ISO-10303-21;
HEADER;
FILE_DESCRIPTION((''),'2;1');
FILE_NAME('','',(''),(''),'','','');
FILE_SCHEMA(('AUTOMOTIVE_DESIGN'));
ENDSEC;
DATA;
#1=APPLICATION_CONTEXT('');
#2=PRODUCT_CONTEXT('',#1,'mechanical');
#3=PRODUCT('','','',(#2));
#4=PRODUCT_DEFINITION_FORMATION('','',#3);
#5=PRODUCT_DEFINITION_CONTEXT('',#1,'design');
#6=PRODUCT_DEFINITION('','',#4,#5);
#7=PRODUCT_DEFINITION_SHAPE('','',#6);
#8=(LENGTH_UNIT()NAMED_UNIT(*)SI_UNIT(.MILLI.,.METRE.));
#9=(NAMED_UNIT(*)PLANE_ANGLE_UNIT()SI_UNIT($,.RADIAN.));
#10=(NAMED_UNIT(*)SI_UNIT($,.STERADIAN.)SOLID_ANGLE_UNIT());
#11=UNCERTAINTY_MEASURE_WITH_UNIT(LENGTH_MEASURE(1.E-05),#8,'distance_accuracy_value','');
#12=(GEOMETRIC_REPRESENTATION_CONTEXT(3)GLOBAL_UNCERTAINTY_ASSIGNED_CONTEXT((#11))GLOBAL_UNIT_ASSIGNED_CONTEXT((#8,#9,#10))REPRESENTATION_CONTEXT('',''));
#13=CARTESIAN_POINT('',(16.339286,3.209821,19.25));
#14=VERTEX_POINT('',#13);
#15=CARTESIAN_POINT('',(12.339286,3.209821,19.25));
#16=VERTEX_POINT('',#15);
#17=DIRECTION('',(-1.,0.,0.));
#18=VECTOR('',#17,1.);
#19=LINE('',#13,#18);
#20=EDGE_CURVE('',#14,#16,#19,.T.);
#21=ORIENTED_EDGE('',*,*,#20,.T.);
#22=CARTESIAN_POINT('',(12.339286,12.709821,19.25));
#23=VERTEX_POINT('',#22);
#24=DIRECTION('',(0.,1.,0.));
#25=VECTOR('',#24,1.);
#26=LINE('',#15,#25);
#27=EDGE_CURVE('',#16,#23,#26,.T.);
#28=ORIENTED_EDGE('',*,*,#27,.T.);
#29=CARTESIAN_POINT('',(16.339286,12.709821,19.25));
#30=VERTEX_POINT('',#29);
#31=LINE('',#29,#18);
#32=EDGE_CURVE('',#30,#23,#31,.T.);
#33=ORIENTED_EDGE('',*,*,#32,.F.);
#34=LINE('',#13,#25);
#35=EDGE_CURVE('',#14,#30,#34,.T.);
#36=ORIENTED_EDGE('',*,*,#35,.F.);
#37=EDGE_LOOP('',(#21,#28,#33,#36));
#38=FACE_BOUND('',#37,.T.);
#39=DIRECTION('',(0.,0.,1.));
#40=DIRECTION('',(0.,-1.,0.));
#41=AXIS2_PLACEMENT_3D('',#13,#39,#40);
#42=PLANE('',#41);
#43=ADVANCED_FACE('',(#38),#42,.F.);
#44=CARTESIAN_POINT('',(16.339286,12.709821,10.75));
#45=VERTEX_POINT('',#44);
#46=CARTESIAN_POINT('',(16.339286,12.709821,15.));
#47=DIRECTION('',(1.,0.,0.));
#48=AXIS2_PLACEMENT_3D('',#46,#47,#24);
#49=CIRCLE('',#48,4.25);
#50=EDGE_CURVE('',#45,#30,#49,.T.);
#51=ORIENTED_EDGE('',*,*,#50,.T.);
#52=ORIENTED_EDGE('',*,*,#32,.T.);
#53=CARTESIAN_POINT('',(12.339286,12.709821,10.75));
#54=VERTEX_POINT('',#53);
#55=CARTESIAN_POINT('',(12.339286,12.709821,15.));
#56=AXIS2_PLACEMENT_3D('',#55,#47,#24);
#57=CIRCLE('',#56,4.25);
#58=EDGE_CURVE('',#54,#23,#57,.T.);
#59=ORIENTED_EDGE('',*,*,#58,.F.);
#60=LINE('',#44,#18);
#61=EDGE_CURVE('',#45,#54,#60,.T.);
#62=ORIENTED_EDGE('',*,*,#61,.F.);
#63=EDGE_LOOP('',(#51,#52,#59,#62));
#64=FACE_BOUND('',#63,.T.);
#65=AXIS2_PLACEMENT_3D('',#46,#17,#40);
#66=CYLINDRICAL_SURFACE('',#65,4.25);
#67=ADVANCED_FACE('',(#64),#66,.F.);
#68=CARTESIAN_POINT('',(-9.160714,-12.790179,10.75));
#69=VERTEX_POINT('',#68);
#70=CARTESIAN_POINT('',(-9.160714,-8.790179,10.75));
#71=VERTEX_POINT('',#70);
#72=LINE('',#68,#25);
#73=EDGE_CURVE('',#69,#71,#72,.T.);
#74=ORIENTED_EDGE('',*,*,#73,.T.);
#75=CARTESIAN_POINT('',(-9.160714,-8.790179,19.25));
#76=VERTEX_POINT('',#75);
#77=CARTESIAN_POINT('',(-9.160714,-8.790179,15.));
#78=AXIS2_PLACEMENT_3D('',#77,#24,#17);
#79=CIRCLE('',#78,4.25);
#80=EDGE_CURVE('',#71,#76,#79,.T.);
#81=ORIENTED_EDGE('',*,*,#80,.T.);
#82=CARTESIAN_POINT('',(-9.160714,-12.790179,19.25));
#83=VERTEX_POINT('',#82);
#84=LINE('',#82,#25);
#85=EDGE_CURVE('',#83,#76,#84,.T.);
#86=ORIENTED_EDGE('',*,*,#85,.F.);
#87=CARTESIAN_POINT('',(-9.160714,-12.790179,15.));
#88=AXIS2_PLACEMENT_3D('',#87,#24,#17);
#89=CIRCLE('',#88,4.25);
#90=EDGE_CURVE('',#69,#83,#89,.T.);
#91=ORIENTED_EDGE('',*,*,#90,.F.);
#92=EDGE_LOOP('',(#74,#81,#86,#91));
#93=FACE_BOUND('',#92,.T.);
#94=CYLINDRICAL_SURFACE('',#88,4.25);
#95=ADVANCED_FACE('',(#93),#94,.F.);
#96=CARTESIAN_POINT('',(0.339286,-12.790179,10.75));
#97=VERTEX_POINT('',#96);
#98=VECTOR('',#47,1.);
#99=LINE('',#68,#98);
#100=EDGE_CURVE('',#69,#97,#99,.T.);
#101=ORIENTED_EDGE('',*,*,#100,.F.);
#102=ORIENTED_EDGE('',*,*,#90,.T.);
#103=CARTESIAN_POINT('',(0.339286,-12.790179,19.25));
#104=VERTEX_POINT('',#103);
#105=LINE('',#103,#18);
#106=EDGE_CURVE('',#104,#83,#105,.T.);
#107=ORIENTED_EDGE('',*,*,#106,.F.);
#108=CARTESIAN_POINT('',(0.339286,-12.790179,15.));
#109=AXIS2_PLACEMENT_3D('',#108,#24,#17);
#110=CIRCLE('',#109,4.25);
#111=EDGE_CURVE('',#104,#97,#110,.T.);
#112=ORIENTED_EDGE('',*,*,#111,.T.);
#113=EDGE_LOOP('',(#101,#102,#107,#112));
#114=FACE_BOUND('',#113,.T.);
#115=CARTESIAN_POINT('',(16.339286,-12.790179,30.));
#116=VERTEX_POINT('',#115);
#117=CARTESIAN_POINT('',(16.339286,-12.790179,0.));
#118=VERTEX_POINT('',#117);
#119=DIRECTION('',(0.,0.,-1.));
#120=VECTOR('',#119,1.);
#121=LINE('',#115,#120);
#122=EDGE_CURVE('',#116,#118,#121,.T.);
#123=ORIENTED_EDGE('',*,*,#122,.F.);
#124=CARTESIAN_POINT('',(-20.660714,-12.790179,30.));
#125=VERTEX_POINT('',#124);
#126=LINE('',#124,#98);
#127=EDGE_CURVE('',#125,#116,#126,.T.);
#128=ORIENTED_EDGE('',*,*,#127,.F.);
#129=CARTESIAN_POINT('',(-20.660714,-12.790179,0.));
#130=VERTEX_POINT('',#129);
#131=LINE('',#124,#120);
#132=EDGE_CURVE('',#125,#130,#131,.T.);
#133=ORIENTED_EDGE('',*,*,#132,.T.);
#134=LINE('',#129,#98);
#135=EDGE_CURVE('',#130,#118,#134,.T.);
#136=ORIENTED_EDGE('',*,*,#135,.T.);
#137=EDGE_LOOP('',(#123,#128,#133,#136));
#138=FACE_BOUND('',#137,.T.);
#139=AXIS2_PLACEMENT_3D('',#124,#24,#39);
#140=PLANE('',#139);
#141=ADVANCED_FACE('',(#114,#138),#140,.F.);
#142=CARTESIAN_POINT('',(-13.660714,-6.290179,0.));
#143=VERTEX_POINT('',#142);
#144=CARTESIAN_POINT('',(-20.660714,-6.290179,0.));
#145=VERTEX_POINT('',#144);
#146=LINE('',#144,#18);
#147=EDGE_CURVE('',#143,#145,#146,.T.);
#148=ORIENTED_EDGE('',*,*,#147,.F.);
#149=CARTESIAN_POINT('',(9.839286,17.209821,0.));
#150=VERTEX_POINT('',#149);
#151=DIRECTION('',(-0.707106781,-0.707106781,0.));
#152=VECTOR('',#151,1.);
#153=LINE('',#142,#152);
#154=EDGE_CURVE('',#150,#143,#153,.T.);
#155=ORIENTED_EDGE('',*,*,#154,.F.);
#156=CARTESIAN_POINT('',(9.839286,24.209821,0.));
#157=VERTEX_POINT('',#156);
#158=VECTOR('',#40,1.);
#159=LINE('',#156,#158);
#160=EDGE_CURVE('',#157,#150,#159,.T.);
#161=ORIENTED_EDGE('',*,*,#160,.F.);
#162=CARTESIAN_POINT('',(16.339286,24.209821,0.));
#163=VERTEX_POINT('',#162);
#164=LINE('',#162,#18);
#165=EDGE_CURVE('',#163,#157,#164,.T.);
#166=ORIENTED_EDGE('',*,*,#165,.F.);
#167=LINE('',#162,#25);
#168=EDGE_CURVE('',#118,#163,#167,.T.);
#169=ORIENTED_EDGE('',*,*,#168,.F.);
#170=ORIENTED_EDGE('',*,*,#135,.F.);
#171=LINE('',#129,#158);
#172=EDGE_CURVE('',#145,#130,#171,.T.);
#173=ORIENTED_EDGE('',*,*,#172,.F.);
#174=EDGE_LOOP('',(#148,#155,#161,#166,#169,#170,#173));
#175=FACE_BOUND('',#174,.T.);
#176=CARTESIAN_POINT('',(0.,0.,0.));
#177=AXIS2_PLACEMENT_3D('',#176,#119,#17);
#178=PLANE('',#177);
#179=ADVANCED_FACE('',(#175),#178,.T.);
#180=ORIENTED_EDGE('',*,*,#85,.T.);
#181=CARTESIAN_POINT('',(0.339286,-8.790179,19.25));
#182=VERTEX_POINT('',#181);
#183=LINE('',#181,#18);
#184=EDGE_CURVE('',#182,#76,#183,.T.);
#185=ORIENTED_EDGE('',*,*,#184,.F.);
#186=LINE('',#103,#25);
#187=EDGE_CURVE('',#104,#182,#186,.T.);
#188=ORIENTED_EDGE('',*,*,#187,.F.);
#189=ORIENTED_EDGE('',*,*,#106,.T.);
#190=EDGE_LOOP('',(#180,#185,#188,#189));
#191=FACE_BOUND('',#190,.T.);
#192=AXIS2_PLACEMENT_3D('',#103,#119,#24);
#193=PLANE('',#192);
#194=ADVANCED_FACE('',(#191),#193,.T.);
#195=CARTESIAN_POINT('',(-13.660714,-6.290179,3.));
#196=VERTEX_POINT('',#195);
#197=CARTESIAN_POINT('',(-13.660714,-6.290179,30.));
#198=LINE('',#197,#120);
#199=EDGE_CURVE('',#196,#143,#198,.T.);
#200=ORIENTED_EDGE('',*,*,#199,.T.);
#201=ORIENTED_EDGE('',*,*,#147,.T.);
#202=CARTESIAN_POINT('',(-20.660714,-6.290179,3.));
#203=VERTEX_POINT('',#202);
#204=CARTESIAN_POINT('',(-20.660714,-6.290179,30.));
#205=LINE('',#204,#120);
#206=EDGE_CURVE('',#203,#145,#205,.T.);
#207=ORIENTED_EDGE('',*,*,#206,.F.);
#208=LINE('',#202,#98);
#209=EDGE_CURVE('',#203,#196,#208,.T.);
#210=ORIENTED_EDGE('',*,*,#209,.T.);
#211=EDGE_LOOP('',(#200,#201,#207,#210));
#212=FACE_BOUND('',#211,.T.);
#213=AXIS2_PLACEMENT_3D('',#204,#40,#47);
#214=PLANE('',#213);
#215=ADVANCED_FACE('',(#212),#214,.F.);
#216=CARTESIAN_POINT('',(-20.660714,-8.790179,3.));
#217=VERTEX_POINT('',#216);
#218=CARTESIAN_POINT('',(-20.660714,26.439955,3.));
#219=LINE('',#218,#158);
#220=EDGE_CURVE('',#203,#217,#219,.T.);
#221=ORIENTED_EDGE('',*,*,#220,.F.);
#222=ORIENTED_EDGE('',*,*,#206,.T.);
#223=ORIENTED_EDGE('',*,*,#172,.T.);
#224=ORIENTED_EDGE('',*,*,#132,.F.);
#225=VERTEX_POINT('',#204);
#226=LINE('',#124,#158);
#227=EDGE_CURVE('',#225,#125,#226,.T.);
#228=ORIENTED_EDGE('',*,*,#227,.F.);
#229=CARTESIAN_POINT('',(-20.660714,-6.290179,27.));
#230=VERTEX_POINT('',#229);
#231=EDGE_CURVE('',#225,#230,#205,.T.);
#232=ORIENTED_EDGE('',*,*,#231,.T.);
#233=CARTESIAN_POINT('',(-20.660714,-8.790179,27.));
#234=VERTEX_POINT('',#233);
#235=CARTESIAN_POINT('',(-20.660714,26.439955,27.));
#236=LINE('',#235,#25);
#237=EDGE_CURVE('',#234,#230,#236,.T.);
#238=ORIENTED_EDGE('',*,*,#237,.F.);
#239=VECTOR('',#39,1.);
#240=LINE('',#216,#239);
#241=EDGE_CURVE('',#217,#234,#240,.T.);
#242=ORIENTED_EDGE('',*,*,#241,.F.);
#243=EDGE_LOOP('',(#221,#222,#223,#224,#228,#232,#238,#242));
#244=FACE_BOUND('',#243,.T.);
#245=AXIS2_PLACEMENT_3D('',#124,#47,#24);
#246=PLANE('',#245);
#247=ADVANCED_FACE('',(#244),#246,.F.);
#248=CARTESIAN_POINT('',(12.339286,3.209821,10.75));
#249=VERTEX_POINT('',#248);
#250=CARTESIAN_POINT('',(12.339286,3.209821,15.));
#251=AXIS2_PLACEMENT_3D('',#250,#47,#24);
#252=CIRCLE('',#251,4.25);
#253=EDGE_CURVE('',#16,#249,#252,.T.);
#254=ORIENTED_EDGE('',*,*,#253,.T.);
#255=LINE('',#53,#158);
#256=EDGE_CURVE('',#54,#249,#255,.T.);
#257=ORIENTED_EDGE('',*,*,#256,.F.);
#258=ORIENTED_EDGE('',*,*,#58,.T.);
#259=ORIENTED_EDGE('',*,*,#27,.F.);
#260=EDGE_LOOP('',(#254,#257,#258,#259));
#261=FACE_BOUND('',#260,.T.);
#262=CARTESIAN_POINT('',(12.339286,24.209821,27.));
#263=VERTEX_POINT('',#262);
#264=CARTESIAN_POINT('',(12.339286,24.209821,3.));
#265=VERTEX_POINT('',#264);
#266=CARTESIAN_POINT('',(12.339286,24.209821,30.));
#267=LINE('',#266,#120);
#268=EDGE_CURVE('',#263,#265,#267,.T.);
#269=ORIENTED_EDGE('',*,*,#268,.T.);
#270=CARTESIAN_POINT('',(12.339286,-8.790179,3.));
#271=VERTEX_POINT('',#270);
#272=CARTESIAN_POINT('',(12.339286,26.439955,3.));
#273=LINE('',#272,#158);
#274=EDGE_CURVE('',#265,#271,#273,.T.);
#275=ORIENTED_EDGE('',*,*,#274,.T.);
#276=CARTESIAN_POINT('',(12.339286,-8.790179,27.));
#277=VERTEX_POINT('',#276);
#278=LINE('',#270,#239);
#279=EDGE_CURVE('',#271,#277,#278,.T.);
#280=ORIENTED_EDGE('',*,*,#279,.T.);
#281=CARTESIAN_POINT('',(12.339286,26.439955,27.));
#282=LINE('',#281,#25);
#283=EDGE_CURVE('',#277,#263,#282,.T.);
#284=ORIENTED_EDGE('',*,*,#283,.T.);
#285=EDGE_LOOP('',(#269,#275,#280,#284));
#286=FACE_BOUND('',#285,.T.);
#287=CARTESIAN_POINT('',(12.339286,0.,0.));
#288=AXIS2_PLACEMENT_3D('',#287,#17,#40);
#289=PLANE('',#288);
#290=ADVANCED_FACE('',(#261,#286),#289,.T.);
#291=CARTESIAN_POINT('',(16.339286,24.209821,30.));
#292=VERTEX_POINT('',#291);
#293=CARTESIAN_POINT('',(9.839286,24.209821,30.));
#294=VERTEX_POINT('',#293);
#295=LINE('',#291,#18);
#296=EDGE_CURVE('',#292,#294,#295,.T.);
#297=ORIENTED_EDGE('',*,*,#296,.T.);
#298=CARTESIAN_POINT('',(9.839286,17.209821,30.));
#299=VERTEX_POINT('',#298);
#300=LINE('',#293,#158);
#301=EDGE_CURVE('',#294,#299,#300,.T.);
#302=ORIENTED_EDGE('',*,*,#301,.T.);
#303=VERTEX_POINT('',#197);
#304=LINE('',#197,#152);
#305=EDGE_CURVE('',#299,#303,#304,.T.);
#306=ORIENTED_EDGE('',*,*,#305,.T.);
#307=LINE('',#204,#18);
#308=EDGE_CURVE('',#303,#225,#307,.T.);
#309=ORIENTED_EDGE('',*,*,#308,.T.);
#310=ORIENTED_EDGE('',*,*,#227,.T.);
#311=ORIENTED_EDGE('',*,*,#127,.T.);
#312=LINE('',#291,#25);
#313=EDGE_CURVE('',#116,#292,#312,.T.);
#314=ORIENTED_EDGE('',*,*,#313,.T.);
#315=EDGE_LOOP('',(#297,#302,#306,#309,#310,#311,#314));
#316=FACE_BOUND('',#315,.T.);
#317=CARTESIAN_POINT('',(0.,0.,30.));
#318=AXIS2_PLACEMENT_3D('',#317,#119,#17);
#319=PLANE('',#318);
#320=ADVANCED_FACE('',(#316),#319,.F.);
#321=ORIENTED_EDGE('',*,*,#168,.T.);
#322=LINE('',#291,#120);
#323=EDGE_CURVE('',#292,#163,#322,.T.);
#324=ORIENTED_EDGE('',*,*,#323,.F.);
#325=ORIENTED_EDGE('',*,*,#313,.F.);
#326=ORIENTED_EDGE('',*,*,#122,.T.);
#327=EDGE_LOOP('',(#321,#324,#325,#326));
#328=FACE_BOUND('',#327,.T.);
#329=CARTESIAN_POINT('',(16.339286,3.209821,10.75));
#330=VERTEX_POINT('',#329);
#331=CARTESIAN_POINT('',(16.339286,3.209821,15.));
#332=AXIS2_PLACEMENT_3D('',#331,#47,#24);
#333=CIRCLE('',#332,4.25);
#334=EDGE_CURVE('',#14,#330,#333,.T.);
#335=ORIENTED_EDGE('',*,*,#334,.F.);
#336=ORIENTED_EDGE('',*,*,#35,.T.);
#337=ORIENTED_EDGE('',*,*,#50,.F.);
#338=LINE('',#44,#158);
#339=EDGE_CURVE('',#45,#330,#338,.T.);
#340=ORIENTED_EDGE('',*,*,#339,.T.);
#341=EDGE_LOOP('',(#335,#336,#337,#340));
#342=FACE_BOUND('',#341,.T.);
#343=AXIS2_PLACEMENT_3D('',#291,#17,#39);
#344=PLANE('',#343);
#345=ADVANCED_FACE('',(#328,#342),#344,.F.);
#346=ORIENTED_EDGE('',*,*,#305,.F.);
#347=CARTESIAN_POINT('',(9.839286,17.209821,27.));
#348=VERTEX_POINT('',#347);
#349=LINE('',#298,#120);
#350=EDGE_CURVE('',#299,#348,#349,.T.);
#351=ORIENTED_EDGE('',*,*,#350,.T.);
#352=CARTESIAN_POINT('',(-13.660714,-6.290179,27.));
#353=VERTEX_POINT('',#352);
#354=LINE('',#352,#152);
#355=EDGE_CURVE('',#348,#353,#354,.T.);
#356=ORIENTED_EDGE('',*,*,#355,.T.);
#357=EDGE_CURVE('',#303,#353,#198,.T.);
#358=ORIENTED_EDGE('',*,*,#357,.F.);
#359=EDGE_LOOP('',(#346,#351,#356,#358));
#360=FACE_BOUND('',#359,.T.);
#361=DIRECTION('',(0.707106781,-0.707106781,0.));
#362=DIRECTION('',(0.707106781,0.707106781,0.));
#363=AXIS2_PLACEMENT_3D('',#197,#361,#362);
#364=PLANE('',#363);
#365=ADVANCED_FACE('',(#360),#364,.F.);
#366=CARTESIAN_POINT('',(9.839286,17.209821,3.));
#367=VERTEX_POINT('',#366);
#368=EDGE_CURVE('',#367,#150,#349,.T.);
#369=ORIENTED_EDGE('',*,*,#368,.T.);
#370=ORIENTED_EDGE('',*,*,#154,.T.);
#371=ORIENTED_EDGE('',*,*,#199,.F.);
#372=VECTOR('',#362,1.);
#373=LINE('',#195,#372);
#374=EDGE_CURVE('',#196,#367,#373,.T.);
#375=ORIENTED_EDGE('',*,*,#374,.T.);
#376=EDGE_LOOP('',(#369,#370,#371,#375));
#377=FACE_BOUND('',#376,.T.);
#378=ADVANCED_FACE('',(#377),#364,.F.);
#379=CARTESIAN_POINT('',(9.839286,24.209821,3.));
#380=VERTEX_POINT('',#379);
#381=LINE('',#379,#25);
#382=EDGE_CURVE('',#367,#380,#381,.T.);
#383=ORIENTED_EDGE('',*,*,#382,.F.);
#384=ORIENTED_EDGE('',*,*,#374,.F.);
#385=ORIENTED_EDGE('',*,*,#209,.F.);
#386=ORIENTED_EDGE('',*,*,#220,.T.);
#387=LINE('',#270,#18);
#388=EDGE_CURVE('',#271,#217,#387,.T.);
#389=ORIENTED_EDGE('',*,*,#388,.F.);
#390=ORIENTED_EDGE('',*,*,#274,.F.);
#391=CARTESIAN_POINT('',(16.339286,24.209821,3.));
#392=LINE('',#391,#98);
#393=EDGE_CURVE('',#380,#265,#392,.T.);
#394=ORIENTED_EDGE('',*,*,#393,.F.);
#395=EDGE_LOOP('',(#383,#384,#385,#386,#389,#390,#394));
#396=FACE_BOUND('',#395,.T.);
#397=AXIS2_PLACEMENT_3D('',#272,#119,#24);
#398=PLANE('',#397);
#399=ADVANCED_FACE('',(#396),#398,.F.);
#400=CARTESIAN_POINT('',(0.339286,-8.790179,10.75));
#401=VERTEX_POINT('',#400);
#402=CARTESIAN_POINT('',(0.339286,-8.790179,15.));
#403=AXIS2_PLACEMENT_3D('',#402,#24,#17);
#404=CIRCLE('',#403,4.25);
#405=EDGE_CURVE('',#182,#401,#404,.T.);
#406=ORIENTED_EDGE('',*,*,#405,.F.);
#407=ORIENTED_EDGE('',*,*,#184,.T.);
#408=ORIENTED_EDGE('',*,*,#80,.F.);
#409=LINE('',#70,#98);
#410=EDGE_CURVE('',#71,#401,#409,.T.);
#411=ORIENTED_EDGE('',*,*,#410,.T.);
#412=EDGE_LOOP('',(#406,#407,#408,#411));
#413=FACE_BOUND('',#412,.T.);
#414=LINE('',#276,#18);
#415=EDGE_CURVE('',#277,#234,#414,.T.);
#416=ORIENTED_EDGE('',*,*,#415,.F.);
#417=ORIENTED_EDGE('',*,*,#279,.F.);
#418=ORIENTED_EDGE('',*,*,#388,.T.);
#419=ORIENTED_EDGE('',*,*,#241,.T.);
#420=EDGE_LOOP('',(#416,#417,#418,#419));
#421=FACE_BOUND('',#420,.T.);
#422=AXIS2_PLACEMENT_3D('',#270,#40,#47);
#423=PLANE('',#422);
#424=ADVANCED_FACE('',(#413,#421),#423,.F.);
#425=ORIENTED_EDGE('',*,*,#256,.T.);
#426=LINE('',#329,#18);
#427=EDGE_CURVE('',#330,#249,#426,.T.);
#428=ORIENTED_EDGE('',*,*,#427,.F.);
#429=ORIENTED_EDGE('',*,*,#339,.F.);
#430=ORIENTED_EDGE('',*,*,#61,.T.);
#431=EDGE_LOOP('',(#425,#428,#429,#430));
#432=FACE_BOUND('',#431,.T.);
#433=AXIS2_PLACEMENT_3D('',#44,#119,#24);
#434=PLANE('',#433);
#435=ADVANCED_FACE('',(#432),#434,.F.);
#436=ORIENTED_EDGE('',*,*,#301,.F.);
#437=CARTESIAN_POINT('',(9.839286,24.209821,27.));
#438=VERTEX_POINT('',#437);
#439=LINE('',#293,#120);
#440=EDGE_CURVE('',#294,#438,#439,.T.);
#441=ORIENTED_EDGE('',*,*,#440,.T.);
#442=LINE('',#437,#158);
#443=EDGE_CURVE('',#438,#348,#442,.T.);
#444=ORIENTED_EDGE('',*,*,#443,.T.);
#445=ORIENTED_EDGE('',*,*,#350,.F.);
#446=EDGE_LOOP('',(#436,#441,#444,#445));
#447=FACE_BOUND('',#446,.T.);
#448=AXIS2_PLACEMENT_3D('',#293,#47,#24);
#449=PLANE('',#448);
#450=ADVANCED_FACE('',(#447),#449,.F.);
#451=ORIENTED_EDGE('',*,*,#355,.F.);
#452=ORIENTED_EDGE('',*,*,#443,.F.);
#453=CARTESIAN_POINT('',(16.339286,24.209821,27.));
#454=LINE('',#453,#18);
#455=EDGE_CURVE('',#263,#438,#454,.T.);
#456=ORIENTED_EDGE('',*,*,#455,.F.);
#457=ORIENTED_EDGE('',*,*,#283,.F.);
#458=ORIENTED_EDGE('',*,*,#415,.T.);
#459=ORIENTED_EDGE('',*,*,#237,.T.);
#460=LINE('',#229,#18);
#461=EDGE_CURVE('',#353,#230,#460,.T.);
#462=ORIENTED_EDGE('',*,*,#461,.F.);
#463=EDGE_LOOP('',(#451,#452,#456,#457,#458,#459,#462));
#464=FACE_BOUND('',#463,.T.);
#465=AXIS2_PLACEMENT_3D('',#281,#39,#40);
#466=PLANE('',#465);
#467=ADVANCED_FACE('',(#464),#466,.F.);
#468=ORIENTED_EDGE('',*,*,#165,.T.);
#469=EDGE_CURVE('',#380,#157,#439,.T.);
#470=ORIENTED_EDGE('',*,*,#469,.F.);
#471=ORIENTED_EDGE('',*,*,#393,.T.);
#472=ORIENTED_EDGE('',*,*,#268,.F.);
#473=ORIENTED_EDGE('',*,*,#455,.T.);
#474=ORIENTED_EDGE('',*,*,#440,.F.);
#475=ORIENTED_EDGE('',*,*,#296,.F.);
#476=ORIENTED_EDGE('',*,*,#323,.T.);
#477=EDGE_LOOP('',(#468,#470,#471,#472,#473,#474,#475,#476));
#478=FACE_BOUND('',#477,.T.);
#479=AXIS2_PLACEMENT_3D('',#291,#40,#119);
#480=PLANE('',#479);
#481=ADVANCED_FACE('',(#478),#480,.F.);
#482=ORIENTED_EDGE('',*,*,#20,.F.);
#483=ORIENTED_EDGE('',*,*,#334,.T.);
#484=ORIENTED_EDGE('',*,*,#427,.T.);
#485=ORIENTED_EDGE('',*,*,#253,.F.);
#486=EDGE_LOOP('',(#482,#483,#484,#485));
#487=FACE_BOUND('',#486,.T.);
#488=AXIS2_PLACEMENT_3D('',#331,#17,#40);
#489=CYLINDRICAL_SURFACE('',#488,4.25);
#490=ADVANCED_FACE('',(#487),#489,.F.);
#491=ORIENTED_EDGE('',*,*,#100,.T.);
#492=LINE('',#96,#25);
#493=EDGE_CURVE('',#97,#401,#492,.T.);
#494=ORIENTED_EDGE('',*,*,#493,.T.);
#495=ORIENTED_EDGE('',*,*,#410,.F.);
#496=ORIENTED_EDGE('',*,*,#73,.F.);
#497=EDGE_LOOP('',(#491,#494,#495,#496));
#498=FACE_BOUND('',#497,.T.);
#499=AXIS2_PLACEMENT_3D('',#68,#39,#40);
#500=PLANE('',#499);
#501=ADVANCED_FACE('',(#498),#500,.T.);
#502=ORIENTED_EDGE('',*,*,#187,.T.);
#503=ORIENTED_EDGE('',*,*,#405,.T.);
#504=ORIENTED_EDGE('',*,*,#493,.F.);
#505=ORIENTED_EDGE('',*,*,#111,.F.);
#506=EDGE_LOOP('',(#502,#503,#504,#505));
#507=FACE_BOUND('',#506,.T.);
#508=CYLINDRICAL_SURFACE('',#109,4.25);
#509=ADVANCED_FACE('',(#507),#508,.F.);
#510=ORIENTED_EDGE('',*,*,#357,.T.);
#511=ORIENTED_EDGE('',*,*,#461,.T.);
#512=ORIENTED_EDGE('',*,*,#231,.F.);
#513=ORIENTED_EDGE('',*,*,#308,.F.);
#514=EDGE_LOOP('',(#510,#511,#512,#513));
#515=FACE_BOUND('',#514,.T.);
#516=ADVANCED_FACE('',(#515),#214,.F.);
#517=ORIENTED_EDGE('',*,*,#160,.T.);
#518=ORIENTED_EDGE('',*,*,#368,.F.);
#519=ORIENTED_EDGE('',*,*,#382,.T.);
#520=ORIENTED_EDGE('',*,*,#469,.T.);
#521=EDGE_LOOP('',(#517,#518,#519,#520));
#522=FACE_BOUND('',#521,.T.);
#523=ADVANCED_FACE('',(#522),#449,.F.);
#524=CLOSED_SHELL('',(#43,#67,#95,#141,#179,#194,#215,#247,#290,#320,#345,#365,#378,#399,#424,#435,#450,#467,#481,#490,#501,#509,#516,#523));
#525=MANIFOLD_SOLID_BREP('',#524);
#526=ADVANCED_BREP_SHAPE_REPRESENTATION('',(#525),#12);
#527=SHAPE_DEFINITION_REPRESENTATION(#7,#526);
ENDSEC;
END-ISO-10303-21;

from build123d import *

# Parameters (mm, degrees)
EXTRUDE_1_DEPTH     = 30
SKETCH_3_W          = 24
SKETCH_3_H          = 35.230133155
CUT_EXTRUDE_1_DEPTH = 33
CUT_EXTRUDE_2_DEPTH = 5


with BuildPart() as part:
    # 草图1 → 凸台-拉伸1 (new body)
    with BuildSketch(Plane.XY):
        Polygon((16.339285714, 24.209821429), (9.839285714, 24.209821429), (9.839285714, 17.209821429), (-13.660714286, -6.290178571), (-20.660714286, -6.290178571), (-20.660714286, -12.790178571), (16.339285714, -12.790178571), align=None)
    extrude(amount=EXTRUDE_1_DEPTH)

    # 草图3 → 切除-拉伸1 (cut)
    with BuildSketch(Plane.ZY.offset(20.660714286)):
        with Locations((15, 8.824888007)):
            Rectangle(SKETCH_3_W, SKETCH_3_H)
    extrude(amount=-CUT_EXTRUDE_1_DEPTH, mode=Mode.SUBTRACT)

    # 草图4 → 切除-拉伸2 (cut, through all)
    with BuildSketch(Plane(origin=(0, -8.790178571, 0), x_dir=(1, 0, 0), z_dir=(0, 1, 0))):
        with BuildLine():
            Line((-9.160714286, -10.75), (0.339285714, -10.75))
            ThreePointArc((0.339285714, -10.75), (4.589285714, -15), (0.339285714, -19.25))
            Line((0.339285714, -19.25), (-9.160714286, -19.25))
            ThreePointArc((-9.160714286, -19.25), (-13.410714286, -15), (-9.160714286, -10.75))
        make_face()
    cut_extrude_2 = extrude(amount=-CUT_EXTRUDE_2_DEPTH, mode=Mode.SUBTRACT)

    # 镜向1: 切除-拉伸2 across plane
    add(cut_extrude_2.mirror(Plane(origin=(1.774553571, 1.774553571, 0), x_dir=(0, 0, 1), z_dir=(0.707106781, 0.707106781, 0))), mode=Mode.SUBTRACT)


solid = part.part
